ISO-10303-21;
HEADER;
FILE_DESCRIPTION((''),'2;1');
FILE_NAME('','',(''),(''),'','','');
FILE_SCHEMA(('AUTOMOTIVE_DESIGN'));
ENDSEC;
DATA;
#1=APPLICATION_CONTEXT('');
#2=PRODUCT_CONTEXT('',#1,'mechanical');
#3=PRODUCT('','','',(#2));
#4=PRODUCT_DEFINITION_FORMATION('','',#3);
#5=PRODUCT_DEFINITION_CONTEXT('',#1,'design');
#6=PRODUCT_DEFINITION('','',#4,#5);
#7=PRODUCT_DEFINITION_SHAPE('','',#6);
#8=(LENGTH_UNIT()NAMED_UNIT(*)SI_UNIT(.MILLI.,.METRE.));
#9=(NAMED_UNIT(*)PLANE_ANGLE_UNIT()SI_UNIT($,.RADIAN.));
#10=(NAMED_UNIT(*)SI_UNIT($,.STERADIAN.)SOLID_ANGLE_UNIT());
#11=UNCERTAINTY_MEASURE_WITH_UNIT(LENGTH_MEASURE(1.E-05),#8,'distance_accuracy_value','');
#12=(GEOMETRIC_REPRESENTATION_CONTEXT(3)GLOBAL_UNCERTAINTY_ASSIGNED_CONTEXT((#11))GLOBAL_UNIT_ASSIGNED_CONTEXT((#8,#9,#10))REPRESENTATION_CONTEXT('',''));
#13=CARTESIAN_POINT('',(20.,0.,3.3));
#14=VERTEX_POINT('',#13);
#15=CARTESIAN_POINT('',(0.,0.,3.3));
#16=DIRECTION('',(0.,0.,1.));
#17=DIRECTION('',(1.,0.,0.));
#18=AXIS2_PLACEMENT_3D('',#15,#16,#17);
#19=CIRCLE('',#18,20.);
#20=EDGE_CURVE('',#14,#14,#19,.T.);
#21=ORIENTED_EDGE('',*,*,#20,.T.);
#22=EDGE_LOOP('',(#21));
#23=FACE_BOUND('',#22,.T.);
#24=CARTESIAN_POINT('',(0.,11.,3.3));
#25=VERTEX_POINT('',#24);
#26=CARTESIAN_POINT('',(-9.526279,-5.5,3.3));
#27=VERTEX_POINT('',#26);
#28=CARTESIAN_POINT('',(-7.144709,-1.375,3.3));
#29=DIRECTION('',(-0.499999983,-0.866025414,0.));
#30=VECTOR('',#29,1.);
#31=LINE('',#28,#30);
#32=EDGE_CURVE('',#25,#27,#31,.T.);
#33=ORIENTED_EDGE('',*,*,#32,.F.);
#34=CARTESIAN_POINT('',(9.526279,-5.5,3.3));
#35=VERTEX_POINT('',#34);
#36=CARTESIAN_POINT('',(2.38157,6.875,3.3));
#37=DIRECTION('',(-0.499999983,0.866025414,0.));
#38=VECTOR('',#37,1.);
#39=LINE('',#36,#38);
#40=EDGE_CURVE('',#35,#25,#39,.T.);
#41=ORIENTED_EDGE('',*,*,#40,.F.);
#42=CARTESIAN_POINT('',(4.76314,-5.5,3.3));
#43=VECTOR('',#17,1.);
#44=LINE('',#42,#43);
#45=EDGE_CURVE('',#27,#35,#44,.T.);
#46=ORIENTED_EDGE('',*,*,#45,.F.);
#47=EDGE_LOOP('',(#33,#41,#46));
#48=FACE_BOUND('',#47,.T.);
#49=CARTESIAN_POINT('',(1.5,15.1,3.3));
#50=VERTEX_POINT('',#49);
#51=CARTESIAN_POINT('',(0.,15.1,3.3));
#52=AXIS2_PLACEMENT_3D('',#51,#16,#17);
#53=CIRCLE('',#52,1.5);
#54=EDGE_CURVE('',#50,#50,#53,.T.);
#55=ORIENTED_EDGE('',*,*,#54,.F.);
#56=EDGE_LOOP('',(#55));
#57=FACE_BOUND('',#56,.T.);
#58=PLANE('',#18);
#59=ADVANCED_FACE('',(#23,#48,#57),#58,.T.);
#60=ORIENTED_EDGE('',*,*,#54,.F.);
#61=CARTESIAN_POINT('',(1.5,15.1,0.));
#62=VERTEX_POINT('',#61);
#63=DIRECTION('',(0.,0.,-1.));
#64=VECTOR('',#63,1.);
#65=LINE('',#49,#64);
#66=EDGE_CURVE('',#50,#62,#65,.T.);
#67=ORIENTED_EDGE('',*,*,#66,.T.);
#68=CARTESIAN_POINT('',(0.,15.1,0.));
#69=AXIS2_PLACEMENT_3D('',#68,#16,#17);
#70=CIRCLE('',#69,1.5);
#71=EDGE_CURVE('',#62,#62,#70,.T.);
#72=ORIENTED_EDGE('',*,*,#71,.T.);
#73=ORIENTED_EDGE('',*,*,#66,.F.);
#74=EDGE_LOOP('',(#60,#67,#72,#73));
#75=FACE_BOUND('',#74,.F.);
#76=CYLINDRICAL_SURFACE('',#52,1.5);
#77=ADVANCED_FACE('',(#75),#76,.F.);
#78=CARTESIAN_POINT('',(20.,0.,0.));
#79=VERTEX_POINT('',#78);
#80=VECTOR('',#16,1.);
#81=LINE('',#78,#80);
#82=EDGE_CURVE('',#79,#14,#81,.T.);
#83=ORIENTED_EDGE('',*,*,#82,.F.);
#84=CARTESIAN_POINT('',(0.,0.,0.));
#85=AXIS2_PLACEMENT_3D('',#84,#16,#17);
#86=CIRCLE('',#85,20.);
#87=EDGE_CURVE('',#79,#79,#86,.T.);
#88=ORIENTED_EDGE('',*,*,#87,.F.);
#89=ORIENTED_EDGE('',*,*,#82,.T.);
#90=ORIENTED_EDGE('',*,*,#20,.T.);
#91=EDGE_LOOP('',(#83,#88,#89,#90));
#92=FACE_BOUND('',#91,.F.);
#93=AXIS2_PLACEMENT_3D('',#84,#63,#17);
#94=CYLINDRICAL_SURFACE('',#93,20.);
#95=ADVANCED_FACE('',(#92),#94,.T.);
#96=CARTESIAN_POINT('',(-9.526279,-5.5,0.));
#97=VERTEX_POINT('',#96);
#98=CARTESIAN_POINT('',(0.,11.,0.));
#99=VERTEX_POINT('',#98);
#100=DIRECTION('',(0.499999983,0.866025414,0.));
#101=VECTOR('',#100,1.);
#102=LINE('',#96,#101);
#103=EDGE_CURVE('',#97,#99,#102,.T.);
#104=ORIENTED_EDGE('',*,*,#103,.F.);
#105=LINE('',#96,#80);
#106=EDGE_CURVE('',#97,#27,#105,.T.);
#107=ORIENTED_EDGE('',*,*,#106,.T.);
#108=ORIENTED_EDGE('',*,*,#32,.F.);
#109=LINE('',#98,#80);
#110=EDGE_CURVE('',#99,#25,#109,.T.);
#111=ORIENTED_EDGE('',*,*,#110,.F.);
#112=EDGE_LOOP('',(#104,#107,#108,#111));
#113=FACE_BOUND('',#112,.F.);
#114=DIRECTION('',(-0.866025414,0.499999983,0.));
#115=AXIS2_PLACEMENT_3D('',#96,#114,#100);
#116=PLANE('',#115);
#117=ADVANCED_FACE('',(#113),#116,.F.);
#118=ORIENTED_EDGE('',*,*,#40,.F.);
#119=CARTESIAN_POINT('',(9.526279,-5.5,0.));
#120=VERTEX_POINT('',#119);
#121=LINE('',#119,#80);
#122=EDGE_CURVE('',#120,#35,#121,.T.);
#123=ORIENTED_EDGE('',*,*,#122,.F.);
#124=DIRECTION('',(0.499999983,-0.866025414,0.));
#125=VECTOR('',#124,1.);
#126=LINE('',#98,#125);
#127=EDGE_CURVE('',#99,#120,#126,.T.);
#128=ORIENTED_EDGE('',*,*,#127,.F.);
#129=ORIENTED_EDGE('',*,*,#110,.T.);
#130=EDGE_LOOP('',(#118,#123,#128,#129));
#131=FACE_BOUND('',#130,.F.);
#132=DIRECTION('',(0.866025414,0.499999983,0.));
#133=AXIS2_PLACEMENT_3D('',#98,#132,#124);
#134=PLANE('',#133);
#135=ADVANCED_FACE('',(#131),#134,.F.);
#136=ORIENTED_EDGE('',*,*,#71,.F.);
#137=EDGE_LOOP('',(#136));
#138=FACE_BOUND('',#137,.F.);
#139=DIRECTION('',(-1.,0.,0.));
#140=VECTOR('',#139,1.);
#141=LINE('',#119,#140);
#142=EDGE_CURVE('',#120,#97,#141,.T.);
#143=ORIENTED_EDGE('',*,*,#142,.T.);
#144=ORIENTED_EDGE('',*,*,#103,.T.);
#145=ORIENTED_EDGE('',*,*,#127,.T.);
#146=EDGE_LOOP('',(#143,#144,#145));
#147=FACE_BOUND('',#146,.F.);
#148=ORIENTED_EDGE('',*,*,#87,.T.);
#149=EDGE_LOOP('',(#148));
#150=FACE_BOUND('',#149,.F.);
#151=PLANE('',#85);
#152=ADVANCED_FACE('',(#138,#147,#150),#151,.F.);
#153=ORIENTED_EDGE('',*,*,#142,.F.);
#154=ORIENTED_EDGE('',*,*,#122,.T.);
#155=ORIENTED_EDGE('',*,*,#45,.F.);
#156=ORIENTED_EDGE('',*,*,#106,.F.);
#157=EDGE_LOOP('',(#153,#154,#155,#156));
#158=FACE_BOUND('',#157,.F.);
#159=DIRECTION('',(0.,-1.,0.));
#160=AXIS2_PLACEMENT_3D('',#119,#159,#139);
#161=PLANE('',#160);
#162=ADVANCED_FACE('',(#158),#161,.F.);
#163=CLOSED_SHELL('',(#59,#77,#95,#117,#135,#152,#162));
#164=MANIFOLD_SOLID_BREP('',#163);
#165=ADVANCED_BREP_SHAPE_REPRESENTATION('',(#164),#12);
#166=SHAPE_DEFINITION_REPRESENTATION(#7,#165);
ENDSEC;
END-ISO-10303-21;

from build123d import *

# Parameters (mm, degrees)
CYLINDER_R      = 20
CYLINDER_DEPTH  = 3.3
SKETCH_R        = 1.5
POCKET_DEPTH    = 3.301
POCKET001_DEPTH = 3.301
POCKET002_DEPTH = 3.301


with BuildPart() as part:
    # Cylinder → Cylinder (new body)
    with BuildSketch(Plane.XY):
        Circle(CYLINDER_R)
    extrude(amount=CYLINDER_DEPTH)

    # Sketch (on Face2 of Cylinder) → Pocket (cut, through all)
    with BuildSketch(Plane.XY.offset(3.3)):
        with Locations((0, 15.1)):
            Circle(SKETCH_R)
    extrude(amount=-POCKET_DEPTH, mode=Mode.SUBTRACT)

    # Sketch001 (on Face1 of CopyCylinder) → Pocket001 (cut, through all)
    with BuildSketch(Plane(origin=(0, 0, 0), x_dir=(1, 0, 0), z_dir=(0, 0, -1))):
        Polygon((0, -11), (9.526279, 5.5), (-9.526279, 5.5), align=None)
    extrude(amount=-POCKET001_DEPTH, mode=Mode.SUBTRACT)

    # Sketch001 (on Face1 of CopyCylinder) → Pocket002 (cut, through all)
    with BuildSketch(Plane(origin=(0, 0, 0), x_dir=(1, 0, 0), z_dir=(0, 0, -1))):
        Polygon((0, -11), (9.526279, 5.5), (-9.526279, 5.5), align=None)
    extrude(amount=-POCKET002_DEPTH, mode=Mode.SUBTRACT)


solid = part.part
